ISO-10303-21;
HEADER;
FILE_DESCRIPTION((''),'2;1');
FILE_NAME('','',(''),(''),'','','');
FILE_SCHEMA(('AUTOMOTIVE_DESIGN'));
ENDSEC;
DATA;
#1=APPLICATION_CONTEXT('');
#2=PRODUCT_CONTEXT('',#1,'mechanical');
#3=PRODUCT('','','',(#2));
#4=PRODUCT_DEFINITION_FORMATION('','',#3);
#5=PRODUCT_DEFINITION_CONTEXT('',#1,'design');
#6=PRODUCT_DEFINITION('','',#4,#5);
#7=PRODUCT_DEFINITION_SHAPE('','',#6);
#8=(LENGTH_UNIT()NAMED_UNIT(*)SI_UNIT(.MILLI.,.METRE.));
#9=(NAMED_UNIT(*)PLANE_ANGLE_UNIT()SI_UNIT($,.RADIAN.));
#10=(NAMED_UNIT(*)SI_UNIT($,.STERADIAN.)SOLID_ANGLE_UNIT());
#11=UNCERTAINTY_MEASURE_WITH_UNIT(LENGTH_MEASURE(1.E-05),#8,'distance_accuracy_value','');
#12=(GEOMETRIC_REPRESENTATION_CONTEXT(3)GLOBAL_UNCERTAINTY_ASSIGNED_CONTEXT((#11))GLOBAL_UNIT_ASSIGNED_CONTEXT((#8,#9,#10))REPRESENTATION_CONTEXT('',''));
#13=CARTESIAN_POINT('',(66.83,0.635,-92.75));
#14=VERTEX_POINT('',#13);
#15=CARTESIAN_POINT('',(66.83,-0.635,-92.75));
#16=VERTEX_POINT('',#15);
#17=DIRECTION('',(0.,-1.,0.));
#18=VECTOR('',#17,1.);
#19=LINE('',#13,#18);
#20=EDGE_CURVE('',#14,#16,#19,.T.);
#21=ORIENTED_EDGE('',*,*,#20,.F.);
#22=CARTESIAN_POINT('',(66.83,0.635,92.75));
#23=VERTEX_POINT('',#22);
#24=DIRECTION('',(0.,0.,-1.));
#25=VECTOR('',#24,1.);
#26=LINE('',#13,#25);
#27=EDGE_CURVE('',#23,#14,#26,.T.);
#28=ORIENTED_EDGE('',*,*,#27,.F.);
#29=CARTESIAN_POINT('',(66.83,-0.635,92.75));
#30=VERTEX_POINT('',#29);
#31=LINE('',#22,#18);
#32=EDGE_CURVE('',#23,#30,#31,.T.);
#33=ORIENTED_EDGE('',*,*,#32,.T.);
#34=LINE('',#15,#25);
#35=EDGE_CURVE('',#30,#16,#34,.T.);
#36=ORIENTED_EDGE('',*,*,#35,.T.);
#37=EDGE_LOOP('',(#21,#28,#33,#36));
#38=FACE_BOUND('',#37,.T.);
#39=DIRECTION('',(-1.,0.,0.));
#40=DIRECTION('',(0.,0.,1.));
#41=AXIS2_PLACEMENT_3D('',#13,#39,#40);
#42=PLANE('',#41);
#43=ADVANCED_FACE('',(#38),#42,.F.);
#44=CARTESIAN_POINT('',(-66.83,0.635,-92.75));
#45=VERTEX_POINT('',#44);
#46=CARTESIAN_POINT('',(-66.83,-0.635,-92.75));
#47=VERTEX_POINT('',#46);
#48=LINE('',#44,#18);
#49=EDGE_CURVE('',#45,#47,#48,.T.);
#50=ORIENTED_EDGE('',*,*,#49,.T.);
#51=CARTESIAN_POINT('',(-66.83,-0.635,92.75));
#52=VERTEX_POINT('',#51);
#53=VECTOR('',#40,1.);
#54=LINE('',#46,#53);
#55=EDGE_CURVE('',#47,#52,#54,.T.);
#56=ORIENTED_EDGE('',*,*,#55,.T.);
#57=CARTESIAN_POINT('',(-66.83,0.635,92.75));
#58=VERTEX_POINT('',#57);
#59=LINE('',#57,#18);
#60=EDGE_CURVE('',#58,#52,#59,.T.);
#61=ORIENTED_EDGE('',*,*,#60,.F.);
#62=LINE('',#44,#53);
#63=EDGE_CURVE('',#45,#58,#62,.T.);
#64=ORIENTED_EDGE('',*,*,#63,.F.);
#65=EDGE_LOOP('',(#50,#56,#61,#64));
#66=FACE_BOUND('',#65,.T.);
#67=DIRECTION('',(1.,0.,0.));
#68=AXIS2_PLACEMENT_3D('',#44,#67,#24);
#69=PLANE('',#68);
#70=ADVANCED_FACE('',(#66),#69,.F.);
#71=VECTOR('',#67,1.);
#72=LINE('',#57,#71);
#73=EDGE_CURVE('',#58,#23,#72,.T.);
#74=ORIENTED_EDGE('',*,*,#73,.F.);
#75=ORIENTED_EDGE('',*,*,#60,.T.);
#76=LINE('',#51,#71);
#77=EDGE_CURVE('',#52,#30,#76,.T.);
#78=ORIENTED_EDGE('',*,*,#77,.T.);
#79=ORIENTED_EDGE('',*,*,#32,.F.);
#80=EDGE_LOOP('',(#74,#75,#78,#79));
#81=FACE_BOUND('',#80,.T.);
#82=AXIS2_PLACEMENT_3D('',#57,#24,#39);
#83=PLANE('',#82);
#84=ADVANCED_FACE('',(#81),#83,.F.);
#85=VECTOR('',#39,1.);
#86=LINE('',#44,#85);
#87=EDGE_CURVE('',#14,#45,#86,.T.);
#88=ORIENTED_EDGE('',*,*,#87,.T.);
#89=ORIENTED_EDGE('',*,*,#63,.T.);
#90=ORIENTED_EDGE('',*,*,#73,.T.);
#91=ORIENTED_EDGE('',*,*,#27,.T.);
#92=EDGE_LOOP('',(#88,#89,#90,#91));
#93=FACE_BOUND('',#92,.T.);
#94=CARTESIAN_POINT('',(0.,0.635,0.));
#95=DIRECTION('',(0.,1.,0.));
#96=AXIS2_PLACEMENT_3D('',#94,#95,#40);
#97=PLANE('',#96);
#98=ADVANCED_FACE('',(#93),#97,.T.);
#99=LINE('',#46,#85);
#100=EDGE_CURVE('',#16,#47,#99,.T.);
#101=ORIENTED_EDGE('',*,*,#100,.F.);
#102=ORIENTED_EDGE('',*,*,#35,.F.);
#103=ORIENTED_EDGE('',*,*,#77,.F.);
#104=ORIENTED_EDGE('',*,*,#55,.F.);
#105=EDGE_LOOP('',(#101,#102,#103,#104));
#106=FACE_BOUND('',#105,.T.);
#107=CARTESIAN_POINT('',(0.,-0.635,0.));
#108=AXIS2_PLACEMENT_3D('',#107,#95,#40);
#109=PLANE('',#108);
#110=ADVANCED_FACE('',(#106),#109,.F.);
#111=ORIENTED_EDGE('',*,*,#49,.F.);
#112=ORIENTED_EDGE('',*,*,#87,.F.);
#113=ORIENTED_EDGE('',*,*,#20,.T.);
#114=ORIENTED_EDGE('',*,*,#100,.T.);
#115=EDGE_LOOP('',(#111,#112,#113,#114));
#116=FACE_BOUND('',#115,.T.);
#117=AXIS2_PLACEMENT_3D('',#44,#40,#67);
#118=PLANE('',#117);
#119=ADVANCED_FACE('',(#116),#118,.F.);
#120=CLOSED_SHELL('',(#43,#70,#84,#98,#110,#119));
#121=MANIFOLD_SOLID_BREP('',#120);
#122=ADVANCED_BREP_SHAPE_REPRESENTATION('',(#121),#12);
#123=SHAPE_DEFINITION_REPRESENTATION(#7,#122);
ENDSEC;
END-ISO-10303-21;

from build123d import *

# Parameters (mm, degrees)
SKETCH1_W           = 133.66
SKETCH1_H           = 185.5
BOSS_EXTRUDE1_DEPTH = 0.635


with BuildPart() as part:
    # Sketch1 → Boss-Extrude1 (new, symmetric)
    with BuildSketch(Plane(origin=(0, 0, 0), x_dir=(1, 0, 0), z_dir=(0, 1, 0))):
        Rectangle(SKETCH1_W, SKETCH1_H)
    extrude(amount=BOSS_EXTRUDE1_DEPTH, both=True)


solid = part.part
